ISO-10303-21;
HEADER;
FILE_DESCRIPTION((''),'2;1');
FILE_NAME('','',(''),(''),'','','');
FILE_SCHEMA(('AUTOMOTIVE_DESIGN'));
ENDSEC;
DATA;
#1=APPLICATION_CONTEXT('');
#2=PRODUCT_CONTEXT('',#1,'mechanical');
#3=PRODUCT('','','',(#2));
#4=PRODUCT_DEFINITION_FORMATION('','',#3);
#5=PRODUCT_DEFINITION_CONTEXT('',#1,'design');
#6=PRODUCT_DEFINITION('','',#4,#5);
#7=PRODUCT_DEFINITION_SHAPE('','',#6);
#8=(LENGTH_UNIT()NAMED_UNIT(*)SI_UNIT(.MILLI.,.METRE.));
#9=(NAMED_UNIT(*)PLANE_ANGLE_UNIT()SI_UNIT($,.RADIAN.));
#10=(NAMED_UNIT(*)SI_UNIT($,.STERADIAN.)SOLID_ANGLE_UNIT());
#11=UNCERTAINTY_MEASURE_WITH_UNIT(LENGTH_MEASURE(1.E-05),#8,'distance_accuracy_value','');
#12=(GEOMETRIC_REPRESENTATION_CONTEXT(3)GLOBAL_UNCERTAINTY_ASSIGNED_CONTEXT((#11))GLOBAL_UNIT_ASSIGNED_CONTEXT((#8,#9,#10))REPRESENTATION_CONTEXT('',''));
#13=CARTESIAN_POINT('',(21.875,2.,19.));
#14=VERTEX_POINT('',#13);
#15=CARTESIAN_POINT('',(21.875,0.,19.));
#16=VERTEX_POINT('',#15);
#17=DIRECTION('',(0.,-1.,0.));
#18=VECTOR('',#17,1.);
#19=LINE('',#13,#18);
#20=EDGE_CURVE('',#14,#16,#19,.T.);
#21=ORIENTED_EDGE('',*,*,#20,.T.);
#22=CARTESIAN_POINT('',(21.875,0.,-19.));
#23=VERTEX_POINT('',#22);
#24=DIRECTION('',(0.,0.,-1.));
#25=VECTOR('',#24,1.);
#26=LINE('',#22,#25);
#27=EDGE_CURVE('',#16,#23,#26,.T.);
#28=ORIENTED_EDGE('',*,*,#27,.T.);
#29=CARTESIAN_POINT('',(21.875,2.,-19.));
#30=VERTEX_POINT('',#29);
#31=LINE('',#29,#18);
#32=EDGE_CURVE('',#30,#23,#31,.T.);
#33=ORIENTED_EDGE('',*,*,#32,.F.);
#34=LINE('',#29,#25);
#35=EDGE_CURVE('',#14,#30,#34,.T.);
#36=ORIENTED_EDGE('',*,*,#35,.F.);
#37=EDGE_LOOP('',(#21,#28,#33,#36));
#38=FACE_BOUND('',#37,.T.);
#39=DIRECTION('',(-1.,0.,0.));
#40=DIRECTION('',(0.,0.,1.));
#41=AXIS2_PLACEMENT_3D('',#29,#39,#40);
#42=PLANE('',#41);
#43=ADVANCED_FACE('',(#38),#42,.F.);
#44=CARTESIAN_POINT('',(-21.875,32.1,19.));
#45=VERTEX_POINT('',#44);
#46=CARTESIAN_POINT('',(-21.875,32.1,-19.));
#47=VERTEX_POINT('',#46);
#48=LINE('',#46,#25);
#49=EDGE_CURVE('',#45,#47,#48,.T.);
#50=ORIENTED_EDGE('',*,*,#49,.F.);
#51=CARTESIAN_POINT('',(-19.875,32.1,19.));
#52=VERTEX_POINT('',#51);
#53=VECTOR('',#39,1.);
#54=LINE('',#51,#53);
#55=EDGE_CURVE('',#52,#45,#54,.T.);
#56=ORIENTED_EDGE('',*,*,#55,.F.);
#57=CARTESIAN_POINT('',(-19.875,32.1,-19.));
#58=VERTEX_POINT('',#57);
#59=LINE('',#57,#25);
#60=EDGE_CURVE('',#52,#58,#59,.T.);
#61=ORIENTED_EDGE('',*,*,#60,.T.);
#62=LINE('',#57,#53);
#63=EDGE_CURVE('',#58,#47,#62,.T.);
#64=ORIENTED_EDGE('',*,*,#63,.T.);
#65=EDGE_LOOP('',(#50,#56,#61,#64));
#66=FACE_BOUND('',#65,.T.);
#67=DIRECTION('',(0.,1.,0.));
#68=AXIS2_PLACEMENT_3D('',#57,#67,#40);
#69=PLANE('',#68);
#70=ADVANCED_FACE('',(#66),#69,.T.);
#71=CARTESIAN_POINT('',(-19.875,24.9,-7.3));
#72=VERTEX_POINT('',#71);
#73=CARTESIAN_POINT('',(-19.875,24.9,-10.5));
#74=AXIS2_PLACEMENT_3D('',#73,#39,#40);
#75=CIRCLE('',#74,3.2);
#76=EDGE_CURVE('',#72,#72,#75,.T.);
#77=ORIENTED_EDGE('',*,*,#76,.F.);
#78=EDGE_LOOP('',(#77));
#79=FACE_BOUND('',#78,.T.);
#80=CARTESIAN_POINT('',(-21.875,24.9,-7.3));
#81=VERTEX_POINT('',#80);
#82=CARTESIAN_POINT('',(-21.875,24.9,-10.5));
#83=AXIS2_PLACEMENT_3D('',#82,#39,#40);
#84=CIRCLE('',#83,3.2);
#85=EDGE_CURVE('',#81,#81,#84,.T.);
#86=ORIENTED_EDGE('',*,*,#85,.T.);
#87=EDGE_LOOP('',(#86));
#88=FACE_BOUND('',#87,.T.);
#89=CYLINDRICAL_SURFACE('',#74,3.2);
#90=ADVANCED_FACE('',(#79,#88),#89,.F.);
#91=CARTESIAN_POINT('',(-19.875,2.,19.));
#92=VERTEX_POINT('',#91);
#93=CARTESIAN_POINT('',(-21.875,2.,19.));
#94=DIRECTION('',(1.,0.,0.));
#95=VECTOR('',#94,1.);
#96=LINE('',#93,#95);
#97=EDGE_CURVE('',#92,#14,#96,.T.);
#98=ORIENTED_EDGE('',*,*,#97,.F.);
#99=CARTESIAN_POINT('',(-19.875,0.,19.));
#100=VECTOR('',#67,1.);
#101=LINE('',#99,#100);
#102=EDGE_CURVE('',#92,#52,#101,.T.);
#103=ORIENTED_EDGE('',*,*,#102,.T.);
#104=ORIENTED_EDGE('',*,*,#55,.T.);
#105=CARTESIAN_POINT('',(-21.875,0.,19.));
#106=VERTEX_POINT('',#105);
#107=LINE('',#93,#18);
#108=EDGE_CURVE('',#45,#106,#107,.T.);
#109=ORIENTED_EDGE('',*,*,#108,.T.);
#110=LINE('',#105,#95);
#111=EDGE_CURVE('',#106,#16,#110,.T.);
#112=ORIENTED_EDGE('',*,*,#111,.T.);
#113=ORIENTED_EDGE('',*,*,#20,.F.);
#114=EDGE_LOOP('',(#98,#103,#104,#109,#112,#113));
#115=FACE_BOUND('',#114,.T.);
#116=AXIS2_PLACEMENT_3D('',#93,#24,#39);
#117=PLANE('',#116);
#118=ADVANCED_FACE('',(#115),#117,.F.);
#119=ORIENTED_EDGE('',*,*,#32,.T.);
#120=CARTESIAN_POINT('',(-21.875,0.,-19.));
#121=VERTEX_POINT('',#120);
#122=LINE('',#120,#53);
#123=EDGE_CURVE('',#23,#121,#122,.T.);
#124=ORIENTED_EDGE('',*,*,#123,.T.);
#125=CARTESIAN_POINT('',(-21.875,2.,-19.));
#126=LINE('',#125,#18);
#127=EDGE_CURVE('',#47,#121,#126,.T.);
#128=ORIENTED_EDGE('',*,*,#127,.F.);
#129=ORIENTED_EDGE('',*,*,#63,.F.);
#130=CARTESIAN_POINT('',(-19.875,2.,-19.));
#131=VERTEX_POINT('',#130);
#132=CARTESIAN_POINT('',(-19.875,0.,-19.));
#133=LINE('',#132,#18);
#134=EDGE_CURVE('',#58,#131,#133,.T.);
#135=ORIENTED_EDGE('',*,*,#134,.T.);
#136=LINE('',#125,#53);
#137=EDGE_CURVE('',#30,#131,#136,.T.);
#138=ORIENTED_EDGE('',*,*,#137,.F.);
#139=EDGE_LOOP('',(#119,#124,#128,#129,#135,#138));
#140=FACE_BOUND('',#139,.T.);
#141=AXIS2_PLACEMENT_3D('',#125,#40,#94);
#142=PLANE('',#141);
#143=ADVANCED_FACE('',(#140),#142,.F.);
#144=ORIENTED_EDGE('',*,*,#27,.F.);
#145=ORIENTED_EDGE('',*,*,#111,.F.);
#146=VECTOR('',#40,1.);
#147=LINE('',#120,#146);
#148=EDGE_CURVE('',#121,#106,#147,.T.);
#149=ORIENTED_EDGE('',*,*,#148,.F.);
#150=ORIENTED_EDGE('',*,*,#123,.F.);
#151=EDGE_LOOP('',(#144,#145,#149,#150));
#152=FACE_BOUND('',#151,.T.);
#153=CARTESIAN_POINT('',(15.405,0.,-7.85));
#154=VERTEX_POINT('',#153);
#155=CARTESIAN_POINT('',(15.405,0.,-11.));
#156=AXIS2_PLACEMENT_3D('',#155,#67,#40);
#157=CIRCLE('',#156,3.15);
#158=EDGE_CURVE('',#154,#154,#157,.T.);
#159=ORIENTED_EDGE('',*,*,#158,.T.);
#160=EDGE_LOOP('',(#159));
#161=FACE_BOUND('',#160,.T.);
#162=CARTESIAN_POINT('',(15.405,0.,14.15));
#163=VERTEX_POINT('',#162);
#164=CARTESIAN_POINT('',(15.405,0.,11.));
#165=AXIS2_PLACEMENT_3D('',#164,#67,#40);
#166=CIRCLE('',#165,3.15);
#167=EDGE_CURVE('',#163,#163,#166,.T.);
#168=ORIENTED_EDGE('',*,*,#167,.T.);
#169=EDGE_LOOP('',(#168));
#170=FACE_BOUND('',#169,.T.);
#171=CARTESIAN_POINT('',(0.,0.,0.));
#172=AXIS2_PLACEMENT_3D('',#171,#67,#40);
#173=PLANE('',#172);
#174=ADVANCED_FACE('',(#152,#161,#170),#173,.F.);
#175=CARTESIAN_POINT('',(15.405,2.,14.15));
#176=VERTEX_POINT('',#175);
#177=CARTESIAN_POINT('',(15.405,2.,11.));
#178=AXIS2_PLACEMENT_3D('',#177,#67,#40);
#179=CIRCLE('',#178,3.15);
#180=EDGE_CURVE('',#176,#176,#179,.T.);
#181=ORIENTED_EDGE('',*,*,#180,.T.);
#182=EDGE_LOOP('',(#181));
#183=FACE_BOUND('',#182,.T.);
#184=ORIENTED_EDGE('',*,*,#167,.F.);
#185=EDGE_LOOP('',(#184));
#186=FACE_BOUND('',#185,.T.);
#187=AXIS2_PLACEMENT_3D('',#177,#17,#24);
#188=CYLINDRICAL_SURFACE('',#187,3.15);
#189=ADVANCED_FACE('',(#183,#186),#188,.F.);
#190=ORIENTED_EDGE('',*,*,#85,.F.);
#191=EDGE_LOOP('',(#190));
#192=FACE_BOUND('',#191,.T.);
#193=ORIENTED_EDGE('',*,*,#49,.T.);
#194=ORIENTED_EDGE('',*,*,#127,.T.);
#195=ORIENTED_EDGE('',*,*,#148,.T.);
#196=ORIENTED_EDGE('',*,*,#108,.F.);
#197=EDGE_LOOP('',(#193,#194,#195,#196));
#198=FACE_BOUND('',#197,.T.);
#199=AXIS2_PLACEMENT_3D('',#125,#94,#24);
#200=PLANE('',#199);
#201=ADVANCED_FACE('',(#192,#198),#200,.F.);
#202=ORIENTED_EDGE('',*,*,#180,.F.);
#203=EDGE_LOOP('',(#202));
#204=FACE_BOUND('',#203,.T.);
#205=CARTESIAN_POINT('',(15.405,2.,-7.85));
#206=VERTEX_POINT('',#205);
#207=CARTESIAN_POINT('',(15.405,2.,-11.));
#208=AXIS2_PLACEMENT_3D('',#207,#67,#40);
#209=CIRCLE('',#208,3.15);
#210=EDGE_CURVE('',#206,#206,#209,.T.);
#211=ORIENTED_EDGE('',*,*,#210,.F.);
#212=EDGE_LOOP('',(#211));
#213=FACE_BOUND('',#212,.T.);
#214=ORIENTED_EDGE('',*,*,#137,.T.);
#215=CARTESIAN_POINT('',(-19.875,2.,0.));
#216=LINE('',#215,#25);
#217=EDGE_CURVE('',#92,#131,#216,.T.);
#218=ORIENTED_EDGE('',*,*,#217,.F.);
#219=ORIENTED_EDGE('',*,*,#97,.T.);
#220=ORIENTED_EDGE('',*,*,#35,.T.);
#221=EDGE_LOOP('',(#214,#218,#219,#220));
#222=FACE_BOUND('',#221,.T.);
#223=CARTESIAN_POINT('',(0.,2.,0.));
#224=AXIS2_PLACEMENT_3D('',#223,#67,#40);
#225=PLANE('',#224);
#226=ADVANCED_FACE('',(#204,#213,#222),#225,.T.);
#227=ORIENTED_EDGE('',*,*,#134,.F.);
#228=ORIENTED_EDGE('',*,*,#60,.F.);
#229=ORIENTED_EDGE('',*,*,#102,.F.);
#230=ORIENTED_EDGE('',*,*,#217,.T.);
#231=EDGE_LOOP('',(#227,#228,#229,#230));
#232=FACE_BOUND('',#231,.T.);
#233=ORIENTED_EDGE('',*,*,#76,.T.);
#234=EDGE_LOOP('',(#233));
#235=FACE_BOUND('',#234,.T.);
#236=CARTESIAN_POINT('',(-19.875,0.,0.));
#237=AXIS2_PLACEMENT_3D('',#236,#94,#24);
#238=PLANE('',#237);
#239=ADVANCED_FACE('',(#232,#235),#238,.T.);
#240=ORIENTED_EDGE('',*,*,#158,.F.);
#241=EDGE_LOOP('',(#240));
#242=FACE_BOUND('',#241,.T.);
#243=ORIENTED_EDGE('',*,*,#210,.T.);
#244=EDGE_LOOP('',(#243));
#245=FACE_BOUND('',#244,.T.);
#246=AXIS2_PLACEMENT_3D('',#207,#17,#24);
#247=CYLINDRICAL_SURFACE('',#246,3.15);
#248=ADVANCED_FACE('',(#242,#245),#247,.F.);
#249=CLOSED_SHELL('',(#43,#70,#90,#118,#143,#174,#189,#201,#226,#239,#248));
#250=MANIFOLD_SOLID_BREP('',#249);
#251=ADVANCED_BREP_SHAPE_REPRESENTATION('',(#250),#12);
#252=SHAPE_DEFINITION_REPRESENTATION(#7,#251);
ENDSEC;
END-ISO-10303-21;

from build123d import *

# Parameters (mm, degrees)
SKETCH1_W  = 43.75
SKETCH1_H  = 38
SKETCH1_R  = 3.15
BASE_DEPTH = 2
SKETCH2_W  = 38
SKETCH2_H  = 32.1
SKETCH2_R  = 3.2
TAB_DEPTH  = 2


with BuildPart() as part:
    # Sketch1 → Base (new body)
    with BuildSketch(Plane(origin=(0, 0, 0), x_dir=(1, 0, 0), z_dir=(0, 1, 0))):
        Rectangle(SKETCH1_W, SKETCH1_H)
        with Locations((15.405, 11)):
            Circle(SKETCH1_R, mode=Mode.SUBTRACT)
        with Locations((15.405, -11)):
            Circle(SKETCH1_R, mode=Mode.SUBTRACT)
    extrude(amount=BASE_DEPTH)

    # Sketch2 → Tab (add)
    with BuildSketch(Plane.ZY.offset(21.875)):
        with Locations((0, 16.05)):
            Rectangle(SKETCH2_W, SKETCH2_H)
        with Locations((-10.5, 24.9)):
            Circle(SKETCH2_R, mode=Mode.SUBTRACT)
    extrude(amount=-TAB_DEPTH)


solid = part.part
